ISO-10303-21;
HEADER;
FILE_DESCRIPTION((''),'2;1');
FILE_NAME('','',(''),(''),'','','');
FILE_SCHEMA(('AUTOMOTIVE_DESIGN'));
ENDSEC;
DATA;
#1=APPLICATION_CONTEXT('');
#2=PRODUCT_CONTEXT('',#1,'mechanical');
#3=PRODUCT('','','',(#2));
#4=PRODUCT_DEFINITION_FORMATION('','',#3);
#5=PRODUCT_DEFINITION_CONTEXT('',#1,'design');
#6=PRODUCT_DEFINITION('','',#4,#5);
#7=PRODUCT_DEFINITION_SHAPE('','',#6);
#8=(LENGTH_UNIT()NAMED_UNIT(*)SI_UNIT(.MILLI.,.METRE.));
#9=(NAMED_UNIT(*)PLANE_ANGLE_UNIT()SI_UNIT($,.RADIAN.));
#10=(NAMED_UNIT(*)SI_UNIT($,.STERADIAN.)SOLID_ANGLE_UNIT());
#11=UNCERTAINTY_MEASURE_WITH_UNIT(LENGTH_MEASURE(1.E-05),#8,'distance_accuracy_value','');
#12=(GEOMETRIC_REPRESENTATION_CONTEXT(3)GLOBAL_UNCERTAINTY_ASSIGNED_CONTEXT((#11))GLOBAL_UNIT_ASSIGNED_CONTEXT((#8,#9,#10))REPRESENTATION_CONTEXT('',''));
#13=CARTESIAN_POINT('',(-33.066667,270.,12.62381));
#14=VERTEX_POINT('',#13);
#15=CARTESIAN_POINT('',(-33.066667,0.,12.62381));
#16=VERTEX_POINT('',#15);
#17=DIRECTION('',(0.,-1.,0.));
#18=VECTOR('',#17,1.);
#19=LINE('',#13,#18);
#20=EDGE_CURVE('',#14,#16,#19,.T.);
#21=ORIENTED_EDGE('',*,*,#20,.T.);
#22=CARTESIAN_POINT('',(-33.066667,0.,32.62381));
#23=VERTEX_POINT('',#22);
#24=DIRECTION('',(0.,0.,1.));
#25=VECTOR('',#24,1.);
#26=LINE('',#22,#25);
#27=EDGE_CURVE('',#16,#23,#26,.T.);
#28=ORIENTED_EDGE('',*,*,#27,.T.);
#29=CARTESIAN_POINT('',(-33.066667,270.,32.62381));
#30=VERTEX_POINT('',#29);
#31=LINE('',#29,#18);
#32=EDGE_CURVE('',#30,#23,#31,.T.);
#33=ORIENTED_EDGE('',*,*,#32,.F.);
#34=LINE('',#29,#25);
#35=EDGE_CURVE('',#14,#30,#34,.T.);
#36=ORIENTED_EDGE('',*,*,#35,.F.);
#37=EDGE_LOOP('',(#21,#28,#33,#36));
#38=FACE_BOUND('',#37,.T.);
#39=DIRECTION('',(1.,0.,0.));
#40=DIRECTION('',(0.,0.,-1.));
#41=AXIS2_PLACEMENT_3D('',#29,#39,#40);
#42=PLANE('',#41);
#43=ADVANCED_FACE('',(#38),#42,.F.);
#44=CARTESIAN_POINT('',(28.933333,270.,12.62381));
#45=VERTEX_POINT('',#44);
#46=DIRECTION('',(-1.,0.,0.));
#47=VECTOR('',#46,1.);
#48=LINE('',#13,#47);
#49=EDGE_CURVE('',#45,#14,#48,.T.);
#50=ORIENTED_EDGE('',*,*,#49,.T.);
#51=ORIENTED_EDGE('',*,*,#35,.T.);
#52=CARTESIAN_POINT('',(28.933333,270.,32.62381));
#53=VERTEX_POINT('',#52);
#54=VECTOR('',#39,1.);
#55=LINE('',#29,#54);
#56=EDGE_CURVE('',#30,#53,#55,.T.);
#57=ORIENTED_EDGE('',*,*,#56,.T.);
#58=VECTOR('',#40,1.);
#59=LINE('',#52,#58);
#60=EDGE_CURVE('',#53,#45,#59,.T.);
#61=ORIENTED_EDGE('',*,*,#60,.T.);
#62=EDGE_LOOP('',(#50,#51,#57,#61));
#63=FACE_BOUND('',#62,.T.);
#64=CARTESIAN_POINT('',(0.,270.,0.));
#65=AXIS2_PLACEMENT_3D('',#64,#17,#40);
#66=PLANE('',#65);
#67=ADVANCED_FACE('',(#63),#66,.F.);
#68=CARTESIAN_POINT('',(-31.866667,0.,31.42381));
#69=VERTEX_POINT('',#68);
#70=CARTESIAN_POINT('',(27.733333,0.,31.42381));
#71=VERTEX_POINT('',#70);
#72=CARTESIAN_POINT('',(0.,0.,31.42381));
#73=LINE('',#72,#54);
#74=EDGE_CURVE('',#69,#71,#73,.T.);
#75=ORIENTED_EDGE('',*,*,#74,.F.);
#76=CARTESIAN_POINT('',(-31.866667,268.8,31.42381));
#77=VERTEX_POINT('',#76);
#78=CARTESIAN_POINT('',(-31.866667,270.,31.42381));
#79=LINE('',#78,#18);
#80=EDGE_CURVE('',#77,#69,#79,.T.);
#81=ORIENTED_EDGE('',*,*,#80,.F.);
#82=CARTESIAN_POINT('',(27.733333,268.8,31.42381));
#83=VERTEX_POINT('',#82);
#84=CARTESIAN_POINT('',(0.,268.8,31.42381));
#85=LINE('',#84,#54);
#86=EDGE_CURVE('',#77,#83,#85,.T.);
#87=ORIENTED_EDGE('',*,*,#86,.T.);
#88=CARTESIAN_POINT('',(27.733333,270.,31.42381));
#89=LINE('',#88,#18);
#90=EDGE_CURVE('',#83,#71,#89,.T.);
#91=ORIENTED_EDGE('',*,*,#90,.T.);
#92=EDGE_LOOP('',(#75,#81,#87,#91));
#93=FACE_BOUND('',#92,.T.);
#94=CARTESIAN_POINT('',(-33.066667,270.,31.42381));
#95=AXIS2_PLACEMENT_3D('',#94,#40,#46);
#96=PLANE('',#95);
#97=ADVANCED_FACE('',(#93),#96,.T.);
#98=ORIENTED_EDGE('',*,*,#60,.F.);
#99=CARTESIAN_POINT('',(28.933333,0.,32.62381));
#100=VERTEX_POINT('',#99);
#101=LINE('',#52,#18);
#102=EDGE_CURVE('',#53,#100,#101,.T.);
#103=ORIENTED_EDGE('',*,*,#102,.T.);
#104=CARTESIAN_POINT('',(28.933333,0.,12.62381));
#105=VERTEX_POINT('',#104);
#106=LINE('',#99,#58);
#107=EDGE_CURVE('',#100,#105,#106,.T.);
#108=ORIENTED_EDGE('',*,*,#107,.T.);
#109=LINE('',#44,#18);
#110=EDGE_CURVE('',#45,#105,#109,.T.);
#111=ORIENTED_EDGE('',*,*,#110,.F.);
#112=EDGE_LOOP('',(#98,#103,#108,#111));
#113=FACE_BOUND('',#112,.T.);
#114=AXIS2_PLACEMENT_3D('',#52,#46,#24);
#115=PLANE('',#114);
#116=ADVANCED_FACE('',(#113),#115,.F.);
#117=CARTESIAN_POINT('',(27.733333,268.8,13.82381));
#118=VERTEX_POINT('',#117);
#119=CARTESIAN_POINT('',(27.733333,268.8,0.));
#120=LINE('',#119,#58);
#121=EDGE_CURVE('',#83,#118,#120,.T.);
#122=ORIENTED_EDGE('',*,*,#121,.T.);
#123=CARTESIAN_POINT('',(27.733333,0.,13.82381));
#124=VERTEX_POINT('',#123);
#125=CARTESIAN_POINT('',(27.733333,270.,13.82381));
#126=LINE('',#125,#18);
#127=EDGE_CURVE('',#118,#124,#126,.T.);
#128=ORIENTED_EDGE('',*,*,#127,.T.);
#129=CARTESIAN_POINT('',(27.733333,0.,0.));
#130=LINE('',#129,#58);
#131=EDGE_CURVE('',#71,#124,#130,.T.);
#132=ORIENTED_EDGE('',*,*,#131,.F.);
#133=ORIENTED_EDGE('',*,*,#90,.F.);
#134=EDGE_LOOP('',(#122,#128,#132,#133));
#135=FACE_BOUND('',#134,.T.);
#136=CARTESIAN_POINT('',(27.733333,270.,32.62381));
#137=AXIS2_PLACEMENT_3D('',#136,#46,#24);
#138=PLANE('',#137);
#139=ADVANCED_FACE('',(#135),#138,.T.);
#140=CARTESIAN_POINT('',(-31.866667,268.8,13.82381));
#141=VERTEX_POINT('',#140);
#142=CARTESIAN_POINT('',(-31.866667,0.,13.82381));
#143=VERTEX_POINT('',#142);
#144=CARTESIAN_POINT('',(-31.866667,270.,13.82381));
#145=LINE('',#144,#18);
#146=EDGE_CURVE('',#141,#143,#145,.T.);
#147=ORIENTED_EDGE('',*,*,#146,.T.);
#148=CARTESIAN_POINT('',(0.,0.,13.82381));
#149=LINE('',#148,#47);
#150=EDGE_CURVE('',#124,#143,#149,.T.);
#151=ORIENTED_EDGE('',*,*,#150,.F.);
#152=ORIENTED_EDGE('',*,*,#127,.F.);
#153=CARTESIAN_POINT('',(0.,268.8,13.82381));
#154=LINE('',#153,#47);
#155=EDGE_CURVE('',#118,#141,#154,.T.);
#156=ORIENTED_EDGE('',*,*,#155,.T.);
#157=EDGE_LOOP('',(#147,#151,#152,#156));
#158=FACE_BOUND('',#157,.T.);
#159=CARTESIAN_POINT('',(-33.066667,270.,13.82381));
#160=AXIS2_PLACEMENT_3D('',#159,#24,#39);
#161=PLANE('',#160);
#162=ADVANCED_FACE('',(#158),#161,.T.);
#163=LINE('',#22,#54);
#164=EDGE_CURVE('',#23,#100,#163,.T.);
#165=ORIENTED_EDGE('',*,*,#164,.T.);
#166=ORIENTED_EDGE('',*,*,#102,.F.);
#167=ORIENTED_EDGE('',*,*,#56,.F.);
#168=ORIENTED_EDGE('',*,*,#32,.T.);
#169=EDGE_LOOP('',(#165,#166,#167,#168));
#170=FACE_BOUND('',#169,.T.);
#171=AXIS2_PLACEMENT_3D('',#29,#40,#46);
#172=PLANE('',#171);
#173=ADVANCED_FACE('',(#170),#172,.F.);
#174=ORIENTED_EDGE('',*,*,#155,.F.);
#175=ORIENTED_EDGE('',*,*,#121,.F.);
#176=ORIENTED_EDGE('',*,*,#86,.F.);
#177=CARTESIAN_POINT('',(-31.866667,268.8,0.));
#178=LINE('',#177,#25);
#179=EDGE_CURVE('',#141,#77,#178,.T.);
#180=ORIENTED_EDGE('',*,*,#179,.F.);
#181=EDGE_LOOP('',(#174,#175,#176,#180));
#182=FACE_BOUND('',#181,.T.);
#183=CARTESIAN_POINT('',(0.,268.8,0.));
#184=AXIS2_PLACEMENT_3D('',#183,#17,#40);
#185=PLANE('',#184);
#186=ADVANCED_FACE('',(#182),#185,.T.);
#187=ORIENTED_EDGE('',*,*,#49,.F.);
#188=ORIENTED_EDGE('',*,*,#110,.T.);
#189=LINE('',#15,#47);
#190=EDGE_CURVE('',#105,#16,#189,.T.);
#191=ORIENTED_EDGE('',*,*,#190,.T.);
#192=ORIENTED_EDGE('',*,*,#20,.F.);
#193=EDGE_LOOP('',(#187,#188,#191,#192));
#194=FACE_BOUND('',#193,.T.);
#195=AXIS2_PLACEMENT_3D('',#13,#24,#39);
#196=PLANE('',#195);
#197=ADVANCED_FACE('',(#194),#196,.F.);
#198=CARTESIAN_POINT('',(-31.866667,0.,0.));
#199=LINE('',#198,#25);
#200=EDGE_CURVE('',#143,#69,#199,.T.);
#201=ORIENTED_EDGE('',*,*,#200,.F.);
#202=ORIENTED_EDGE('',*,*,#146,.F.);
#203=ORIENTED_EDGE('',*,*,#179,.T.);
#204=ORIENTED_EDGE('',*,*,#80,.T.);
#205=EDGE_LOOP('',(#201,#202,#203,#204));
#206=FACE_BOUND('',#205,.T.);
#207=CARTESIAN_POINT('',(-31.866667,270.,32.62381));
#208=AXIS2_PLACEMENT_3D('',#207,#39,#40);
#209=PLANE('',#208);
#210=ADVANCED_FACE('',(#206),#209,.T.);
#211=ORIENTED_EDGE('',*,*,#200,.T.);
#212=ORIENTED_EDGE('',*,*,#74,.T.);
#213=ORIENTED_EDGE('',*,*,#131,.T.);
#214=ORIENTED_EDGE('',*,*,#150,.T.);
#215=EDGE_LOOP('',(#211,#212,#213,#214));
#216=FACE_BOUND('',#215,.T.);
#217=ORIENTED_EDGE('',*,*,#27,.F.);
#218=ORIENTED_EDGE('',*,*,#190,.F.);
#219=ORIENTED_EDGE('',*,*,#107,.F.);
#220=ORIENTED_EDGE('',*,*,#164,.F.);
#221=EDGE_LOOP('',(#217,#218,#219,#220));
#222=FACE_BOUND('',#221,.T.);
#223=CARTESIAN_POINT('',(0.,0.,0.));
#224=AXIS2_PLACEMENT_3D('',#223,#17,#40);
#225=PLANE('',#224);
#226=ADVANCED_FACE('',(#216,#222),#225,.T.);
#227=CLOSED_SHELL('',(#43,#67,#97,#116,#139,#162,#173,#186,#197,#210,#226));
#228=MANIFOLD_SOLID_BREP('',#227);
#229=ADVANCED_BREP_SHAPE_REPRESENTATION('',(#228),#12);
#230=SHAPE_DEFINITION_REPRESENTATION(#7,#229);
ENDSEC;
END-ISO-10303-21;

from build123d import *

# Parameters (mm, degrees)
SKETCH1_W           = 62
SKETCH1_H           = 20
BOSS_EXTRUDE1_DEPTH = 270
SHELL1_T            = -1.2


with BuildPart() as part:
    # Sketch1 → Boss-Extrude1 (new body)
    with BuildSketch(Plane(origin=(0, 0, 0), x_dir=(1, 0, 0), z_dir=(0, 1, 0))):
        with Locations((-2.066666667, -22.623809524)):
            Rectangle(SKETCH1_W, SKETCH1_H)
    extrude(amount=BOSS_EXTRUDE1_DEPTH)

    # Shell1
    shell1_openings = [part.faces().sort_by_distance(p)[0] for p in [
        (-2.066666667, 0, 22.623809524),
    ]]
    offset(amount=SHELL1_T, openings=shell1_openings, kind=Kind.INTERSECTION)


solid = part.part
